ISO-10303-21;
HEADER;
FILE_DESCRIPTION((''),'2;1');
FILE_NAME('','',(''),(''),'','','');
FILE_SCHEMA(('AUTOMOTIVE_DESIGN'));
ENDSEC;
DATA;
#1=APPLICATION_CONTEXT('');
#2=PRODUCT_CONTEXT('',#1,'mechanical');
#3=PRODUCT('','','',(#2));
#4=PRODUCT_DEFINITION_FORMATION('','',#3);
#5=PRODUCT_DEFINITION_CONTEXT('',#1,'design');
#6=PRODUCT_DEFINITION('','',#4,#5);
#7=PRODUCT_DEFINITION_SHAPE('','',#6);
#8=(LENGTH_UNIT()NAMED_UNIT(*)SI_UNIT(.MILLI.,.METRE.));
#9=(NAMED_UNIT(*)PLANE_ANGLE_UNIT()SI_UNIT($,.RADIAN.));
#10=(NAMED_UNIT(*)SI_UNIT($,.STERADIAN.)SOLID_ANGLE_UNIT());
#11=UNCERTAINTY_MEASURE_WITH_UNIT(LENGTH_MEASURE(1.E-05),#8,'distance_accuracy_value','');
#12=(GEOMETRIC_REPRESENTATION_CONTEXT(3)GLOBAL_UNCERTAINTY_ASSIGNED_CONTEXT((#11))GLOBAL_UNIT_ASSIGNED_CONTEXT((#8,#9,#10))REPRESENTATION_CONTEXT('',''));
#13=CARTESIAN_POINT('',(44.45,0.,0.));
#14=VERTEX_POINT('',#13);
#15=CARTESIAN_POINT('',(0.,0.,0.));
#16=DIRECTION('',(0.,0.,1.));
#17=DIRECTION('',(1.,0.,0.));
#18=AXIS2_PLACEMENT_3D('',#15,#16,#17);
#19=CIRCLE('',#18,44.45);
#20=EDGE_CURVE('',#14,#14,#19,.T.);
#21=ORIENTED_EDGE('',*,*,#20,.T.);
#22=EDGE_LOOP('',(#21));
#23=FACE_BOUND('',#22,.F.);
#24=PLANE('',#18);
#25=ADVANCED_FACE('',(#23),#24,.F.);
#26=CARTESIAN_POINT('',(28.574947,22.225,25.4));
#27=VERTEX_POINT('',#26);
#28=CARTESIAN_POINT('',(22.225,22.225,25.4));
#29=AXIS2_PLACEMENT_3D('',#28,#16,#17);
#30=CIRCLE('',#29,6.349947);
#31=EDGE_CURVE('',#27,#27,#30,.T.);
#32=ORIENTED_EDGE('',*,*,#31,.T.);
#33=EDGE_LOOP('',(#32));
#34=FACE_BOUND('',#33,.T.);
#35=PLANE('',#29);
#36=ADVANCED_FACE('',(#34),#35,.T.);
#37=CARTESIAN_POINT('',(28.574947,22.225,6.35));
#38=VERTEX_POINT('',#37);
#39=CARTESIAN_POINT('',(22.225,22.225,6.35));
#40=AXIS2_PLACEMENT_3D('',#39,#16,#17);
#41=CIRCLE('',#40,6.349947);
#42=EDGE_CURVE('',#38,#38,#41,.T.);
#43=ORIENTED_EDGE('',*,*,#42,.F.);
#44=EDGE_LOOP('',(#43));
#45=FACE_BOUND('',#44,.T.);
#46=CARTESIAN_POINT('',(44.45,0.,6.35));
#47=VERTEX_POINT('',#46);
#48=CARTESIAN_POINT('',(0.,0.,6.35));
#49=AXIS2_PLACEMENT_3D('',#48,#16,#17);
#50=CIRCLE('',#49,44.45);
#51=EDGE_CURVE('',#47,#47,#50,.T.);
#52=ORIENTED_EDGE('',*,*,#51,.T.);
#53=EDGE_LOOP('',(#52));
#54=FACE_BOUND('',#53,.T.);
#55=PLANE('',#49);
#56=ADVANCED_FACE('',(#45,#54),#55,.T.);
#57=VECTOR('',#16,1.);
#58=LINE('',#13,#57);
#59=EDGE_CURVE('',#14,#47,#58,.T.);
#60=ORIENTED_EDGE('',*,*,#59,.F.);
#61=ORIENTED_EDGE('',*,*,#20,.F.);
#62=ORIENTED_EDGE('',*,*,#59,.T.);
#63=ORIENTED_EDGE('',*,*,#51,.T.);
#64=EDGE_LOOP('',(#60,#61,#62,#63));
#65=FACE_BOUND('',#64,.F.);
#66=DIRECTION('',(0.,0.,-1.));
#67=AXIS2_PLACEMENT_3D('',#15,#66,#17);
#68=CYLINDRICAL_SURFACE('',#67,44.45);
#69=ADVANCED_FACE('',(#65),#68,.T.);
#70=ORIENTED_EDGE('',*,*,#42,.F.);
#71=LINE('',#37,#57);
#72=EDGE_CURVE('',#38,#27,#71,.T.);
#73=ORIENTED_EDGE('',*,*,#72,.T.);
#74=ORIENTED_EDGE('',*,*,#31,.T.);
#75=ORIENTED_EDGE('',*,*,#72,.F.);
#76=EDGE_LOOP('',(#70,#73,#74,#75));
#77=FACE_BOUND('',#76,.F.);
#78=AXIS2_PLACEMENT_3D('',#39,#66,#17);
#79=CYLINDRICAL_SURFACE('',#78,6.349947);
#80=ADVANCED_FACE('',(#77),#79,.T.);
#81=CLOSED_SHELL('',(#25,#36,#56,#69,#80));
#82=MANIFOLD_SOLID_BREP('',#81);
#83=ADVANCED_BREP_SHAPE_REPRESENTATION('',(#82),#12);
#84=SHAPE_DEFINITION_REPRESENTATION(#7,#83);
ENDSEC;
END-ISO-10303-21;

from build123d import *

# Parameters (mm, degrees)
F0_R     = 44.45
F1_DEPTH = 6.35
F2_R     = 6.349947
F3_DEPTH = 19.05


with BuildPart() as f1:
    # F0 (on Top) → F1 (new body)
    with BuildSketch(Plane.XY):
        Circle(F0_R)
    extrude(amount=F1_DEPTH)

    # F2 (on face) → F3 (join)
    with BuildSketch(Plane.XY.offset(6.35)):
        with Locations((22.225, 22.225)):
            Circle(F2_R)
    extrude(amount=F3_DEPTH)


solid = f1.part
